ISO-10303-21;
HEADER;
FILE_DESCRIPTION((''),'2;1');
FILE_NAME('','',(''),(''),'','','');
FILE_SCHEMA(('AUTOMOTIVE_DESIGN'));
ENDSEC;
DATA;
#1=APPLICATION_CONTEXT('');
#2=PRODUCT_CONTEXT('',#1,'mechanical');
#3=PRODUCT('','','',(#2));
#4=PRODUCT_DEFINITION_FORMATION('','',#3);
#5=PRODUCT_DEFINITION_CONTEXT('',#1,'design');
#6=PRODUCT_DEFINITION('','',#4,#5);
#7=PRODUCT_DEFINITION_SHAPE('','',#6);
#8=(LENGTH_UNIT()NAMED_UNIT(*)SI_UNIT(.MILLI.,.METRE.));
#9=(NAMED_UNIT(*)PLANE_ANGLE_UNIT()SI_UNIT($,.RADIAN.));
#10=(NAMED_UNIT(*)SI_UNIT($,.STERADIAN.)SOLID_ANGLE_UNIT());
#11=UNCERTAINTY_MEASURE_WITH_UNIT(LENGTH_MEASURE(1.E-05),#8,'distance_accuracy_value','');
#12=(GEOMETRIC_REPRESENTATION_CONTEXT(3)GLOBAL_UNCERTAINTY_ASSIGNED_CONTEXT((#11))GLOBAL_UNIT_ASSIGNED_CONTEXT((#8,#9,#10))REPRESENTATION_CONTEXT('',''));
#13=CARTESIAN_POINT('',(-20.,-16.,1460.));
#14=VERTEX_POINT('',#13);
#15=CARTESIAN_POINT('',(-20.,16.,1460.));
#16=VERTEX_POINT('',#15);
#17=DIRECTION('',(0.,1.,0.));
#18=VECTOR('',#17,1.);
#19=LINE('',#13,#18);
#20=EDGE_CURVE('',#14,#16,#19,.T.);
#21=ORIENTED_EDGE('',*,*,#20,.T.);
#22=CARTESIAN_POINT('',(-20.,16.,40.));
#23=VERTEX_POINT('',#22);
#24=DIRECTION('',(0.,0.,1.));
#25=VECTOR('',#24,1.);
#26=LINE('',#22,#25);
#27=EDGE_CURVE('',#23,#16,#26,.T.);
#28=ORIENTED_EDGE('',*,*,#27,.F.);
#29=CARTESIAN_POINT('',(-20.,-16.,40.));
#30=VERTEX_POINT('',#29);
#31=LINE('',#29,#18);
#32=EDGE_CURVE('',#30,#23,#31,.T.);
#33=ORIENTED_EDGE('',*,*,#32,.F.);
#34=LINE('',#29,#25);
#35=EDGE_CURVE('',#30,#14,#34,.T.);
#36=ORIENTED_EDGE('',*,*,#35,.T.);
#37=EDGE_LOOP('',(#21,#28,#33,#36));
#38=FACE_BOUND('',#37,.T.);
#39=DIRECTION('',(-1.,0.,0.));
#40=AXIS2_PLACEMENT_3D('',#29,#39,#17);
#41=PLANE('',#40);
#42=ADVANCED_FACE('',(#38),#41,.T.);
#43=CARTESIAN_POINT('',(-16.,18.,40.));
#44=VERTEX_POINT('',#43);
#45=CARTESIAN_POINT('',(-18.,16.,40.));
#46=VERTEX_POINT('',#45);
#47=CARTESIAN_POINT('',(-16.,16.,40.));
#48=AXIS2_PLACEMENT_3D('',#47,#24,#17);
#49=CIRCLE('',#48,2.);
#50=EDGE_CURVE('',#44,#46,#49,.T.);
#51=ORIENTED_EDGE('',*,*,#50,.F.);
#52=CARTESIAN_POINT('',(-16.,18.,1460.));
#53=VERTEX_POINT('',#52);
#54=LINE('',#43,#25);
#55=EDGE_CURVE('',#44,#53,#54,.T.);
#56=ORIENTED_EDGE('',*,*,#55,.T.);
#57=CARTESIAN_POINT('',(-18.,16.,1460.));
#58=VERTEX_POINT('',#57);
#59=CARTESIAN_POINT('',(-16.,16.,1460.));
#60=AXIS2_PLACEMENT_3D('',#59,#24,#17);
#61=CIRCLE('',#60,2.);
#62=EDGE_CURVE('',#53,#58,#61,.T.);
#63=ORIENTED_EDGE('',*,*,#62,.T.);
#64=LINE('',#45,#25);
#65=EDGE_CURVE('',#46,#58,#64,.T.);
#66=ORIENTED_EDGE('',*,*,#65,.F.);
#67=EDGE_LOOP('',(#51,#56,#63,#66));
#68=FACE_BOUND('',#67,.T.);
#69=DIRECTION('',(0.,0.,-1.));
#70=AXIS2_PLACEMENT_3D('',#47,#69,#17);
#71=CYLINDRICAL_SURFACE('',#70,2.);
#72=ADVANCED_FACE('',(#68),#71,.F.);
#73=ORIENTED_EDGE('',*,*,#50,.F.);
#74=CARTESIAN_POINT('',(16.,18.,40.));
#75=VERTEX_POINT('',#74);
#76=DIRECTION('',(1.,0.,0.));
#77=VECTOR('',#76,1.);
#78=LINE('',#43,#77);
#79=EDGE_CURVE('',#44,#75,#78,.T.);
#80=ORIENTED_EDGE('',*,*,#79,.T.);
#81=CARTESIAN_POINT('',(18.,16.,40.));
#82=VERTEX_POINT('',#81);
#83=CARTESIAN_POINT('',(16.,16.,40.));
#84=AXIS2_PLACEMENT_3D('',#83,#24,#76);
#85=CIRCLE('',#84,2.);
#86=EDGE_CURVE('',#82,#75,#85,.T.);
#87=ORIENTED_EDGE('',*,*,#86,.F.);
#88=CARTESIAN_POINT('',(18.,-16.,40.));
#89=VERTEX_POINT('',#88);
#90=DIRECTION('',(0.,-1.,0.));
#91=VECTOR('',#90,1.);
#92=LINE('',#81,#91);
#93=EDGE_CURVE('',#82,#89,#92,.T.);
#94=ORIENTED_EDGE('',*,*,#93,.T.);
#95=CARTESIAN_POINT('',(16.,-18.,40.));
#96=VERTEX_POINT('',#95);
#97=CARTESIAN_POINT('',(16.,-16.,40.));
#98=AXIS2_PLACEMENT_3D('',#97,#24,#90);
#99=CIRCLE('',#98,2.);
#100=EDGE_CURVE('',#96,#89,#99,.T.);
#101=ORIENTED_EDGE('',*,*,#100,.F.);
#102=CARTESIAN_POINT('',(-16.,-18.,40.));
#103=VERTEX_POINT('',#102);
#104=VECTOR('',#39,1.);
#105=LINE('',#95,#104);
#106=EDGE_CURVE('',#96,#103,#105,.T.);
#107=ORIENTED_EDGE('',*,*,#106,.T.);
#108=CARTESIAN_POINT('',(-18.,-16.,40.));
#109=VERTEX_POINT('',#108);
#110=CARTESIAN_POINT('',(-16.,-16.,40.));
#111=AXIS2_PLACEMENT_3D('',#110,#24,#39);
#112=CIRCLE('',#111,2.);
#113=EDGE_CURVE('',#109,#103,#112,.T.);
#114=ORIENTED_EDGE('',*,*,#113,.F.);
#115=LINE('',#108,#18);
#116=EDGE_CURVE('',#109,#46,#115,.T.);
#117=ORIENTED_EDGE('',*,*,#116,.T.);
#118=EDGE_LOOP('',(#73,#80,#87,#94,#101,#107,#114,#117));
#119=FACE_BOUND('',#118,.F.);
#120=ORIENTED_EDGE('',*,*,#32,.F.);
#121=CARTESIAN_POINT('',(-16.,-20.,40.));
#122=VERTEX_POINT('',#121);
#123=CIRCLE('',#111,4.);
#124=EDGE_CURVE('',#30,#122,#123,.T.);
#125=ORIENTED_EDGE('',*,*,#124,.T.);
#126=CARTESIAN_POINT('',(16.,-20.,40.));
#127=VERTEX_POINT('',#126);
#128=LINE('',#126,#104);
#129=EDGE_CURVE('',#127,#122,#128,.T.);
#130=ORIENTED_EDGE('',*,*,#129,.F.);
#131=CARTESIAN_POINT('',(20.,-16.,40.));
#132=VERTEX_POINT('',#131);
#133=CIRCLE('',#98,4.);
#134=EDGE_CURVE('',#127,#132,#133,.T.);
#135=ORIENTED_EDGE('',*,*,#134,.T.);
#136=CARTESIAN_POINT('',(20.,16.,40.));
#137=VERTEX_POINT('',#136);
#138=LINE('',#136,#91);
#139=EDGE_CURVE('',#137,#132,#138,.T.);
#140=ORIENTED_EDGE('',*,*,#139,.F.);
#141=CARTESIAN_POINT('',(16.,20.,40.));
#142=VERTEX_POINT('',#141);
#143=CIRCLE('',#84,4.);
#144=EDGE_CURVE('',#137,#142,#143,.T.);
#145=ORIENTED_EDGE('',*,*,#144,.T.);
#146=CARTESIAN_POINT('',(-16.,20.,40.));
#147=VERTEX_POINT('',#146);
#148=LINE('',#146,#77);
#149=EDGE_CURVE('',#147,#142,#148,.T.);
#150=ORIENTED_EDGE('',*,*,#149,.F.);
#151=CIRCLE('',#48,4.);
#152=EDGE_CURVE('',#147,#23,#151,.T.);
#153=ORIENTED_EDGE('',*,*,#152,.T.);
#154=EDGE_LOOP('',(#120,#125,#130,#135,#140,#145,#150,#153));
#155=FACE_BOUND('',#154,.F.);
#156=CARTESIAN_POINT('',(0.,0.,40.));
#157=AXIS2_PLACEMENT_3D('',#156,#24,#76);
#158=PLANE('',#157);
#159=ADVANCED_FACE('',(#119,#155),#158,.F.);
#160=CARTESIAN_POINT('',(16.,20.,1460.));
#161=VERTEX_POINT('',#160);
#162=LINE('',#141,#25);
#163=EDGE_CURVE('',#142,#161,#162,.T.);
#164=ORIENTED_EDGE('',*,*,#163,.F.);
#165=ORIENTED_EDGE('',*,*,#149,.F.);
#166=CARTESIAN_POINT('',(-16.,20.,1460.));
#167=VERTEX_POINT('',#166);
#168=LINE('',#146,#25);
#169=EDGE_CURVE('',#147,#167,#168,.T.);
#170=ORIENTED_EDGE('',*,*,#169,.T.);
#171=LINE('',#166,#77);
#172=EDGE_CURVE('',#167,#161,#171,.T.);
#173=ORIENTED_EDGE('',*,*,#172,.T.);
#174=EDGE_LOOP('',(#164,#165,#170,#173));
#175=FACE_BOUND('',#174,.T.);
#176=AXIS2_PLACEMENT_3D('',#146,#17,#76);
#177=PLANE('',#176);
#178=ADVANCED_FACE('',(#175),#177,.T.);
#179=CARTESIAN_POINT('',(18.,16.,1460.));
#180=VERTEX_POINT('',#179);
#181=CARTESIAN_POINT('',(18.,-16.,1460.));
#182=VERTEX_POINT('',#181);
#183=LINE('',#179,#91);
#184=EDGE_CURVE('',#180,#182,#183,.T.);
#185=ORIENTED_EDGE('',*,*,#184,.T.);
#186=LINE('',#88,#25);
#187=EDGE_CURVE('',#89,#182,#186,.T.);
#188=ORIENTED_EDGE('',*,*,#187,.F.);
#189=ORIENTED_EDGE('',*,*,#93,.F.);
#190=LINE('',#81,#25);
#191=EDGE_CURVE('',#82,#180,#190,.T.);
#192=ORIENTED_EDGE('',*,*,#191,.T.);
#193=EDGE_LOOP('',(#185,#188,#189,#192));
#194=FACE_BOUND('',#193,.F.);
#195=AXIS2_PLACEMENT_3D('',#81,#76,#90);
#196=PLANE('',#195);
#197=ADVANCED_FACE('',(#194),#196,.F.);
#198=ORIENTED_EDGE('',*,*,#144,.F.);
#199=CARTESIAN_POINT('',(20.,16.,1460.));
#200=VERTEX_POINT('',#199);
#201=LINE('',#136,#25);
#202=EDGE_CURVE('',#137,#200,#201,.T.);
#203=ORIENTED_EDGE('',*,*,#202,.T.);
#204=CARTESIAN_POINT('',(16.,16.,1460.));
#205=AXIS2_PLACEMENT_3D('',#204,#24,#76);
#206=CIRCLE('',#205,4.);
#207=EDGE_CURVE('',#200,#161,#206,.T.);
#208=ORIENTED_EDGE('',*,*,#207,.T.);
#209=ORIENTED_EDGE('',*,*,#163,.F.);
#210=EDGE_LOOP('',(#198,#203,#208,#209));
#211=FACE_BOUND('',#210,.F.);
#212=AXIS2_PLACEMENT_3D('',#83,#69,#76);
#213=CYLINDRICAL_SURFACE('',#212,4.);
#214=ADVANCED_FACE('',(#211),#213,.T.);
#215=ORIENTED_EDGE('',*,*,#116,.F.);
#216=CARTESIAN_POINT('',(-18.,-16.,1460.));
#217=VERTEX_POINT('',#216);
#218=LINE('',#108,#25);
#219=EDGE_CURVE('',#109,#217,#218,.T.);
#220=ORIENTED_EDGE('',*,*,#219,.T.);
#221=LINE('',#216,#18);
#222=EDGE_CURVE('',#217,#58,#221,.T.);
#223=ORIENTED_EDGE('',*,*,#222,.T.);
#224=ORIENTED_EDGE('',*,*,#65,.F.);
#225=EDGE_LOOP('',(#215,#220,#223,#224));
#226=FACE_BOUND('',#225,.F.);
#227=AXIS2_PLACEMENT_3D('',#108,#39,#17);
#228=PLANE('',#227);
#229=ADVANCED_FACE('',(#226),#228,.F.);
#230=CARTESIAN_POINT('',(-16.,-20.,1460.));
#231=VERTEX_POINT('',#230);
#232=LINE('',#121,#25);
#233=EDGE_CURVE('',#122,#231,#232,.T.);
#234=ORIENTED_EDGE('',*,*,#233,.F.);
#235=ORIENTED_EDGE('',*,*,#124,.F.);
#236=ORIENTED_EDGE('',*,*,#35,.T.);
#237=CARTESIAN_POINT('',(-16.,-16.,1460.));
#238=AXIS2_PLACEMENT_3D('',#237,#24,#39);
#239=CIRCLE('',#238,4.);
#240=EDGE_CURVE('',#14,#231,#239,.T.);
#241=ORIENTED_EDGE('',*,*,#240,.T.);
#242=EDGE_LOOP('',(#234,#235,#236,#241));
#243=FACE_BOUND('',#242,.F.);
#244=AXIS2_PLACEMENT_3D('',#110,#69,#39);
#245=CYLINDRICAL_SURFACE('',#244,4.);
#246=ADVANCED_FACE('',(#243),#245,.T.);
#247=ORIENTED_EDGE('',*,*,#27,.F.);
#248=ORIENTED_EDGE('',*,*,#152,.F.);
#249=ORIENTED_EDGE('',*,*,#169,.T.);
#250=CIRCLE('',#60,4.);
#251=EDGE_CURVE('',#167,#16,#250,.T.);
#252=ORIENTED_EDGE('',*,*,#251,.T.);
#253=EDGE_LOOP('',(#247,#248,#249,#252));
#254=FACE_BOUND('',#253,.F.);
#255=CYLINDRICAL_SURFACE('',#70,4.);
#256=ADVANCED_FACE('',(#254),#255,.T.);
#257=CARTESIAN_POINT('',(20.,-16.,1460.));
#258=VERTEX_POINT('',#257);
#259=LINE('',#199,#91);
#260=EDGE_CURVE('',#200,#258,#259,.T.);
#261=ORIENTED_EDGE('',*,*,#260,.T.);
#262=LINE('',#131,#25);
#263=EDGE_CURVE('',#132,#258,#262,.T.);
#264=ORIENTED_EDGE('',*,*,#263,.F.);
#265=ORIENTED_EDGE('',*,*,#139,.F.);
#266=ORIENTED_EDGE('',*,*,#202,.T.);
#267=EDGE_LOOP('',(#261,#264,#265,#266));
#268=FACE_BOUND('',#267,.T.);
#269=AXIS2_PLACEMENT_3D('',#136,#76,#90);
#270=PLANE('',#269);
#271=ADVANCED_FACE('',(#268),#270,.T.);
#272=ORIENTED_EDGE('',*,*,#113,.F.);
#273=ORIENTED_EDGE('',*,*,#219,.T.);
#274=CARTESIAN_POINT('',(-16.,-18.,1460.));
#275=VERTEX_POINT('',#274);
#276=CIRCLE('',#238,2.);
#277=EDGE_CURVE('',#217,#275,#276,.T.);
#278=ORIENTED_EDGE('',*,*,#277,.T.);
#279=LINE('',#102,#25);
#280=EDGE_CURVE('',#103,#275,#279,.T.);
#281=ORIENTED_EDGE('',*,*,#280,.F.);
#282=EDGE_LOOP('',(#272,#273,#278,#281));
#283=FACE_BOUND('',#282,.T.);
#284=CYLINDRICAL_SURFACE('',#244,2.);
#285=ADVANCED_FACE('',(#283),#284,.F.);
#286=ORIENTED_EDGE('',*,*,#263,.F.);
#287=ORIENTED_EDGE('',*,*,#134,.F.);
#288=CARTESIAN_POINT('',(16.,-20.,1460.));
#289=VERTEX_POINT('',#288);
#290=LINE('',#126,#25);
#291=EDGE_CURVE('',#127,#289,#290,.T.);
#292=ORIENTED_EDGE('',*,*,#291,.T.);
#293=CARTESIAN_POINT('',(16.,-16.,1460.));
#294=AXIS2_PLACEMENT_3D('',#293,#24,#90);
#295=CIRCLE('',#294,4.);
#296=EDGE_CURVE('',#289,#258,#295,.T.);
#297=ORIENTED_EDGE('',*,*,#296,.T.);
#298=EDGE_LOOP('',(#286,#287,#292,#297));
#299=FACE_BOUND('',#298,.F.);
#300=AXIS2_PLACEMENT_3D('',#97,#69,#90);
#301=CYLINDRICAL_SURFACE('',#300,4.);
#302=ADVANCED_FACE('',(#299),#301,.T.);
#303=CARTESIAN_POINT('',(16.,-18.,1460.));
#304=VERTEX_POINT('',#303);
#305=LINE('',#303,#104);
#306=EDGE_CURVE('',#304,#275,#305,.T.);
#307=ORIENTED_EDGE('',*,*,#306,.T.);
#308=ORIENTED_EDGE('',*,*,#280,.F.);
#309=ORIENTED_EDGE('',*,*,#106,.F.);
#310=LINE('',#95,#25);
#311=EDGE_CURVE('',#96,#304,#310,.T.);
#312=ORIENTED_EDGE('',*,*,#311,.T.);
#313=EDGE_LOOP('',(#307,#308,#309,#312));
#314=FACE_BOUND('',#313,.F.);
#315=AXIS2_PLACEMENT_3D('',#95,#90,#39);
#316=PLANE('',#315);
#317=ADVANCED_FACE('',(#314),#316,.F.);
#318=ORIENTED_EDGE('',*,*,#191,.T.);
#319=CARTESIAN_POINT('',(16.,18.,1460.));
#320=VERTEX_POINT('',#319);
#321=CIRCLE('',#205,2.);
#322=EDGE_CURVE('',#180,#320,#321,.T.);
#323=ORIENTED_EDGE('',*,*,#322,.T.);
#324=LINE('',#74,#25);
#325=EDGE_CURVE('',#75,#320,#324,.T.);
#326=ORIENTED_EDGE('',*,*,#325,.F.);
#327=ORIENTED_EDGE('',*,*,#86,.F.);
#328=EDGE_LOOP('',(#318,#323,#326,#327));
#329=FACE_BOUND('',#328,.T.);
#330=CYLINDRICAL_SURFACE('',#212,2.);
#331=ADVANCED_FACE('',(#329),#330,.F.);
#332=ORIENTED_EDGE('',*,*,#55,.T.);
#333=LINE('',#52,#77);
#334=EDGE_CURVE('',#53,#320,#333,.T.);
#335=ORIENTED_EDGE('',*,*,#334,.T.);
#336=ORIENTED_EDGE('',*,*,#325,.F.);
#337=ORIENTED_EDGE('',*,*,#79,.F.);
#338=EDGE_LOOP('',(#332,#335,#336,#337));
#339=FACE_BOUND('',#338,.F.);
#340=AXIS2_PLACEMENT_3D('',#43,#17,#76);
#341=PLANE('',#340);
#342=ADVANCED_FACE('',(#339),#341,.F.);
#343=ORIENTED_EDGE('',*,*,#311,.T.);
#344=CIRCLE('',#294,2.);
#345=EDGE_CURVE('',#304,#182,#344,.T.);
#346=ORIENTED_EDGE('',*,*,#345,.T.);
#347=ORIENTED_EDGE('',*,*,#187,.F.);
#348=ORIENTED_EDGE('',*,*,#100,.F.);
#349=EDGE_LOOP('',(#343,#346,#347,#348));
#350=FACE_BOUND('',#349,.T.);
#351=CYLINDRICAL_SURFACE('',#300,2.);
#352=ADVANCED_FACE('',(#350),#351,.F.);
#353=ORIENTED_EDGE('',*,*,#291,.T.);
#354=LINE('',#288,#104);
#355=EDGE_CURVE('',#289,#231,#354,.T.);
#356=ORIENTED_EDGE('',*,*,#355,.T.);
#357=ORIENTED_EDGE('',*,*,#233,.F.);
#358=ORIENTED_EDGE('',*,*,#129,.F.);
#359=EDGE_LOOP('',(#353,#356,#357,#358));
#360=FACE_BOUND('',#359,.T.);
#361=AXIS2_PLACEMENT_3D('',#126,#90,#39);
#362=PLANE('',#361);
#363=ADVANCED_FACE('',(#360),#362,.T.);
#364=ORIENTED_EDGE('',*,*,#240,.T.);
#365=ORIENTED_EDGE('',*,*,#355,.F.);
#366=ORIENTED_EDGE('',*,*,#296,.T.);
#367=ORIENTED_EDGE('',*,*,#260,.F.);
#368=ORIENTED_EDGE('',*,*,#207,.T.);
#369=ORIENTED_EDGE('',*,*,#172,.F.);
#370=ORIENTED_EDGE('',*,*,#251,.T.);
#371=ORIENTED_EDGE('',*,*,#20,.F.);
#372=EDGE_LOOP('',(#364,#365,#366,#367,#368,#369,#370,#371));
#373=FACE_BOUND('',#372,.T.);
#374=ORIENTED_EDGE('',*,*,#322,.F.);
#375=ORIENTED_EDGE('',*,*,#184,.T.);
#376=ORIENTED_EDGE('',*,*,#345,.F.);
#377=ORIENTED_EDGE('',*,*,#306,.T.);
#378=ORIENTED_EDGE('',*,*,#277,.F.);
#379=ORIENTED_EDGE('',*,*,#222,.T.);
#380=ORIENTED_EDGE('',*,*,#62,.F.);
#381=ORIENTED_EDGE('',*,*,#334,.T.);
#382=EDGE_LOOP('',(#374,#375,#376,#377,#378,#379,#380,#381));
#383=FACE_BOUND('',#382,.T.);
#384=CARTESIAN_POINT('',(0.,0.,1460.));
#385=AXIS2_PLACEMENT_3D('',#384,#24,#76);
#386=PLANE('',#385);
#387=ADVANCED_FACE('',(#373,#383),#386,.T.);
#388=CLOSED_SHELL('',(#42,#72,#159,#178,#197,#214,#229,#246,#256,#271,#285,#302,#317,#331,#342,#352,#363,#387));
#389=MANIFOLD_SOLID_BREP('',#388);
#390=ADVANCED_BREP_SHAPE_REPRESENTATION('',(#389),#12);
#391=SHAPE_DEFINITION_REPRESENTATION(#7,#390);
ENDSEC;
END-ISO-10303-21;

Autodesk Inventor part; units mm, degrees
ref_plane "YZ Plane" through (0, 0, 0) normal (1, 0, 0) x (0, 1, 0)
ref_plane "Start Plane" through (0, 0, 40) normal (0, 0, 1) x (1, 0, 0)
ref_plane "End Plane" through (0, 0, 1460) normal (0, 0, 1) x (1, 0, 0)
sketch "Sketch" plane through (0, 0, 0) normal (0, 0, 1) x (1, 0, 0)
  line L0 (-20, -16) -> (-20, 16)
  line L1 (-16, 20) -> (16, 20)
  line L2 (20, 16) -> (20, -16)
  line L3 (16, -20) -> (-16, -20)
  arc A0 (-20, -16) -> (-16, -20) centre (-16, -16) ccw
  arc A1 (20, 16) -> (16, 20) centre (16, 16) ccw
  arc A2 (-16, 20) -> (-20, 16) centre (-16, 16) ccw
  arc A3 (16, -20) -> (20, -16) centre (16, -16) ccw
  arc A4 (-16, 18) -> (-18, 16) centre (-16, 16) ccw
  line L4 (-16, 18) -> (16, 18)
  arc A5 (18, 16) -> (16, 18) centre (16, 16) ccw
  line L5 (18, 16) -> (18, -16)
  arc A6 (16, -18) -> (18, -16) centre (16, -16) ccw
  line L6 (16, -18) -> (-16, -18)
  arc A7 (-18, -16) -> (-16, -18) centre (-16, -16) ccw
  line L7 (-18, -16) -> (-18, 16)
  line L8 (0, 29.1598) -> (0, -29.1598) construction
  line L9 (-29.1598, 0) -> (29.1598, 0) construction
  dimension "d7" = 4
  dimension "d9" = 40
  dimension "d11" = 40
  dimension "d12" = 2
  dimension "d15" = 20
  dimension "d16" = 20
extrude "Body" add sketch "Sketch" along normal up to surface (1420 mm away) from surface at 40
sketch "Sketch3" plane through (0, 0, 0) normal (0, 0, 1) x (1, 0, 0)
  line L0 (0, 0) -> (10, 0)
ref_plane "Work Plane3" through (0, 0, 0) normal (0, -1, 0) x (1, 0, 0)
sketch "Sketch4" plane through (0, 0, 0) normal (0, -1, 0) x (1, 0, 0)
  line L0 (-2, 40) -> (12, 40) projected
  line L1 (-2, 1460) -> (12, 1460) projected
  dimension "d18" = 1420
equation "\"d7\" = G_IR"
equation "\"d9\" = G_W"
equation "\"d11\" = G_H"
equation "\"d12\" = G_T"
equation "\"d15\" = 0.5 * d9"
equation "\"d16\" = 0.5 * d11"
equation "\"d3\" = G_L"
equation "\"G_W\" = 40"
equation "\"G_H\" = 40"
equation "\"G_T\" = 2"
equation "\"G_IR\" = 4"
equation "\"G_L\" = d18"
properties part number "ISO 4019 - 40x40x2 - 1420" material "Steel, Mild"
